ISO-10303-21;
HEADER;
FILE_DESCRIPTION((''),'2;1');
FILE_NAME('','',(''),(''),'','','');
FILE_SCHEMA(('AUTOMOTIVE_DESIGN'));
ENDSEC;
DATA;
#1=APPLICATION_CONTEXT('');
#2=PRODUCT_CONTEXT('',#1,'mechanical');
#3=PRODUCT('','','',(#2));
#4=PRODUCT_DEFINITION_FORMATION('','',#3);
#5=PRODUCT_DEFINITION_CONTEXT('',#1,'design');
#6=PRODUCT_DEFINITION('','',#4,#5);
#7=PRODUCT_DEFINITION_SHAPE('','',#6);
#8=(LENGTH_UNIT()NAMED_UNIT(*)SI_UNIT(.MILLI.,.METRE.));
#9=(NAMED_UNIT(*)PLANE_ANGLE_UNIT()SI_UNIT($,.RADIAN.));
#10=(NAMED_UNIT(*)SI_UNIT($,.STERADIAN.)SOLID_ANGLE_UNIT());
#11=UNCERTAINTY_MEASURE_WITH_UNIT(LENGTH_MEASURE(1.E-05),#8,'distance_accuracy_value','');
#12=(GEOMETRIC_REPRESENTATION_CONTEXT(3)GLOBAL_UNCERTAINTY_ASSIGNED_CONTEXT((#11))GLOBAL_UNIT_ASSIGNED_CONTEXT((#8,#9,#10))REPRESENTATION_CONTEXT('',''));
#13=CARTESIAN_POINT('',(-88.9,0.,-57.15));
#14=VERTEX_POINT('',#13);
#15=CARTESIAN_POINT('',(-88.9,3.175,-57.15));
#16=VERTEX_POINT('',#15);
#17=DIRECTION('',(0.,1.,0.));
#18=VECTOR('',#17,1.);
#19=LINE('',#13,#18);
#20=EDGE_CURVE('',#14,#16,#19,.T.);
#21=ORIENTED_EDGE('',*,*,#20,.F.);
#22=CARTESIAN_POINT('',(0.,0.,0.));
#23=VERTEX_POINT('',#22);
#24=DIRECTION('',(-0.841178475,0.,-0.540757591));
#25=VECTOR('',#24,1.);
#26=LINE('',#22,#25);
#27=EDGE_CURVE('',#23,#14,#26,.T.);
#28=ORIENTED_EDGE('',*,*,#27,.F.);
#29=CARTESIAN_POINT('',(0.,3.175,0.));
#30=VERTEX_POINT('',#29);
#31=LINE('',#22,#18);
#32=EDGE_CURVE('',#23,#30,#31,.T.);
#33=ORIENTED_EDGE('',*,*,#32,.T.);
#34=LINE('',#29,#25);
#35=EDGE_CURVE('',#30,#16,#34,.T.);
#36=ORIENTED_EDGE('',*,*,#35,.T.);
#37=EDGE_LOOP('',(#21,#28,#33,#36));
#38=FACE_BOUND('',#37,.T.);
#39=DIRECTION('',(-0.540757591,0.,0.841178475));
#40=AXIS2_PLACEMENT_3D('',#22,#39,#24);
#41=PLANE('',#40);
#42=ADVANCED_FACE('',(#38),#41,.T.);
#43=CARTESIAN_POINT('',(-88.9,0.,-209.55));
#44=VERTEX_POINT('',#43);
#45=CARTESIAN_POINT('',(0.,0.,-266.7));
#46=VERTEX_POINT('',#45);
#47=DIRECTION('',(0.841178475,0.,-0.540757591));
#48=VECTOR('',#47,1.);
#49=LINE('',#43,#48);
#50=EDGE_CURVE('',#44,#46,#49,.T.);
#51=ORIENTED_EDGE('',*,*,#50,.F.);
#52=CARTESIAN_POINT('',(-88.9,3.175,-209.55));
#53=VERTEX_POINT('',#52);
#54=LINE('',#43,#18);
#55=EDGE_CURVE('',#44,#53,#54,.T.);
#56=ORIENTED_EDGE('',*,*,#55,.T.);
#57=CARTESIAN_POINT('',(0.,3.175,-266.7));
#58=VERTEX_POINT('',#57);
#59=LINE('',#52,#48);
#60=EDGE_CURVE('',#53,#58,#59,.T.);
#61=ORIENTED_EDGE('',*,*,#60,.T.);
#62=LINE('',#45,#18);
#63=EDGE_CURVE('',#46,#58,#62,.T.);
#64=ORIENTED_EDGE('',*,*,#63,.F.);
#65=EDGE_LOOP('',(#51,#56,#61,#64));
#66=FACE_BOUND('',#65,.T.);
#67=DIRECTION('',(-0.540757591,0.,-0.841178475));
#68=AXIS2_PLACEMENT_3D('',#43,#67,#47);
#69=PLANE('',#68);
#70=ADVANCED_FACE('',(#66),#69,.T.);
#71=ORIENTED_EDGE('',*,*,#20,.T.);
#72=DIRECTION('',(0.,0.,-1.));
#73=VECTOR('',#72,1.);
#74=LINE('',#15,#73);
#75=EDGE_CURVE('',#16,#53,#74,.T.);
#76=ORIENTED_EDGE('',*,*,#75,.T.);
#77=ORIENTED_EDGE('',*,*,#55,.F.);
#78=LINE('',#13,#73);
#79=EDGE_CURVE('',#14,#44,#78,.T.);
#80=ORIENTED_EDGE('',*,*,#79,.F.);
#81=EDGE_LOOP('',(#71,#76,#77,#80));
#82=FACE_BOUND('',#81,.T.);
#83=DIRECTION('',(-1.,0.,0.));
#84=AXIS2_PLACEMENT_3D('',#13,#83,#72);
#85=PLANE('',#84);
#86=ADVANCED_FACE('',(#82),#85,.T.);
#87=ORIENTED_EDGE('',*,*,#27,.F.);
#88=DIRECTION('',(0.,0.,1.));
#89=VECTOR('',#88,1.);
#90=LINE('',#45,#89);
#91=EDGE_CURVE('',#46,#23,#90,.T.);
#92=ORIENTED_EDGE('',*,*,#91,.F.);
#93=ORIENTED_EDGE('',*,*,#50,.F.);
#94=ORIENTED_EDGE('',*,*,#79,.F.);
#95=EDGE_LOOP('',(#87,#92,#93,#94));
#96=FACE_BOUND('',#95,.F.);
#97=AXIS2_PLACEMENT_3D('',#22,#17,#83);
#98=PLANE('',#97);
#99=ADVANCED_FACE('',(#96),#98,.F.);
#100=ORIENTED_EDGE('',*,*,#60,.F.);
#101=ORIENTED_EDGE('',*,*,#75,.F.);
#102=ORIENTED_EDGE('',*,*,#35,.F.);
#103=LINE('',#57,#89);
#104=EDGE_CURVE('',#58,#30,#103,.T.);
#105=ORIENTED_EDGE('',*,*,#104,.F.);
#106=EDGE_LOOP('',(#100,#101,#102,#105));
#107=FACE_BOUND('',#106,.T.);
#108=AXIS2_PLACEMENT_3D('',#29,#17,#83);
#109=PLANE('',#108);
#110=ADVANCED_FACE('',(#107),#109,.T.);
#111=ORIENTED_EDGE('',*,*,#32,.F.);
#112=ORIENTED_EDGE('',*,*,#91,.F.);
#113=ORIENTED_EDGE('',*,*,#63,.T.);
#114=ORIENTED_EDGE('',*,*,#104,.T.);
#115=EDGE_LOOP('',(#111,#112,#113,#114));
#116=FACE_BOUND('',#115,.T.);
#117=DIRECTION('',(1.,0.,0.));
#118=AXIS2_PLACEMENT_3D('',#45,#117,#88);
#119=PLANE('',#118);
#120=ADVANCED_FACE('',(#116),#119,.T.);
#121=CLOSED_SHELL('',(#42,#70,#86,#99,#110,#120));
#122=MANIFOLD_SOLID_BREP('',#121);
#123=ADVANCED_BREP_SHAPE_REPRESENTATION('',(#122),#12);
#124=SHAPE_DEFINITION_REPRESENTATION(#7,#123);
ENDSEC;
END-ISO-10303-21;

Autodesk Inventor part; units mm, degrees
ref_plane "YZ Plane" through (0, 0, 0) normal (1, 0, 0) x (0, 1, 0)
ref_plane "XZ Plane" through (0, 0, 0) normal (0, 1, 0) x (-1, 0, 0)
sketch "Sketch1" plane through (0, 0, 0) normal (0, 1, 0) x (-1, 0, 0)
  line L0 (88.9, -57.15) -> (88.9, -209.55)
  line L1 (88.9, -209.55) -> (0, -266.7)
  line L2 (0, -266.7) -> (0, 0)
  line L3 (0, 0) -> (88.9, -57.15)
  dimension "d0" = 152.4
  dimension "d1" = 88.9
  dimension "d2" = 266.7
extrude "Extrusion1" add sketch "Sketch1" along normal blind 3.175
ref_plane "Work Plane1" through (0, 0, 0) normal (0, 0, -1) x (0, 1, 0)
properties part number "Top + Spinner"
